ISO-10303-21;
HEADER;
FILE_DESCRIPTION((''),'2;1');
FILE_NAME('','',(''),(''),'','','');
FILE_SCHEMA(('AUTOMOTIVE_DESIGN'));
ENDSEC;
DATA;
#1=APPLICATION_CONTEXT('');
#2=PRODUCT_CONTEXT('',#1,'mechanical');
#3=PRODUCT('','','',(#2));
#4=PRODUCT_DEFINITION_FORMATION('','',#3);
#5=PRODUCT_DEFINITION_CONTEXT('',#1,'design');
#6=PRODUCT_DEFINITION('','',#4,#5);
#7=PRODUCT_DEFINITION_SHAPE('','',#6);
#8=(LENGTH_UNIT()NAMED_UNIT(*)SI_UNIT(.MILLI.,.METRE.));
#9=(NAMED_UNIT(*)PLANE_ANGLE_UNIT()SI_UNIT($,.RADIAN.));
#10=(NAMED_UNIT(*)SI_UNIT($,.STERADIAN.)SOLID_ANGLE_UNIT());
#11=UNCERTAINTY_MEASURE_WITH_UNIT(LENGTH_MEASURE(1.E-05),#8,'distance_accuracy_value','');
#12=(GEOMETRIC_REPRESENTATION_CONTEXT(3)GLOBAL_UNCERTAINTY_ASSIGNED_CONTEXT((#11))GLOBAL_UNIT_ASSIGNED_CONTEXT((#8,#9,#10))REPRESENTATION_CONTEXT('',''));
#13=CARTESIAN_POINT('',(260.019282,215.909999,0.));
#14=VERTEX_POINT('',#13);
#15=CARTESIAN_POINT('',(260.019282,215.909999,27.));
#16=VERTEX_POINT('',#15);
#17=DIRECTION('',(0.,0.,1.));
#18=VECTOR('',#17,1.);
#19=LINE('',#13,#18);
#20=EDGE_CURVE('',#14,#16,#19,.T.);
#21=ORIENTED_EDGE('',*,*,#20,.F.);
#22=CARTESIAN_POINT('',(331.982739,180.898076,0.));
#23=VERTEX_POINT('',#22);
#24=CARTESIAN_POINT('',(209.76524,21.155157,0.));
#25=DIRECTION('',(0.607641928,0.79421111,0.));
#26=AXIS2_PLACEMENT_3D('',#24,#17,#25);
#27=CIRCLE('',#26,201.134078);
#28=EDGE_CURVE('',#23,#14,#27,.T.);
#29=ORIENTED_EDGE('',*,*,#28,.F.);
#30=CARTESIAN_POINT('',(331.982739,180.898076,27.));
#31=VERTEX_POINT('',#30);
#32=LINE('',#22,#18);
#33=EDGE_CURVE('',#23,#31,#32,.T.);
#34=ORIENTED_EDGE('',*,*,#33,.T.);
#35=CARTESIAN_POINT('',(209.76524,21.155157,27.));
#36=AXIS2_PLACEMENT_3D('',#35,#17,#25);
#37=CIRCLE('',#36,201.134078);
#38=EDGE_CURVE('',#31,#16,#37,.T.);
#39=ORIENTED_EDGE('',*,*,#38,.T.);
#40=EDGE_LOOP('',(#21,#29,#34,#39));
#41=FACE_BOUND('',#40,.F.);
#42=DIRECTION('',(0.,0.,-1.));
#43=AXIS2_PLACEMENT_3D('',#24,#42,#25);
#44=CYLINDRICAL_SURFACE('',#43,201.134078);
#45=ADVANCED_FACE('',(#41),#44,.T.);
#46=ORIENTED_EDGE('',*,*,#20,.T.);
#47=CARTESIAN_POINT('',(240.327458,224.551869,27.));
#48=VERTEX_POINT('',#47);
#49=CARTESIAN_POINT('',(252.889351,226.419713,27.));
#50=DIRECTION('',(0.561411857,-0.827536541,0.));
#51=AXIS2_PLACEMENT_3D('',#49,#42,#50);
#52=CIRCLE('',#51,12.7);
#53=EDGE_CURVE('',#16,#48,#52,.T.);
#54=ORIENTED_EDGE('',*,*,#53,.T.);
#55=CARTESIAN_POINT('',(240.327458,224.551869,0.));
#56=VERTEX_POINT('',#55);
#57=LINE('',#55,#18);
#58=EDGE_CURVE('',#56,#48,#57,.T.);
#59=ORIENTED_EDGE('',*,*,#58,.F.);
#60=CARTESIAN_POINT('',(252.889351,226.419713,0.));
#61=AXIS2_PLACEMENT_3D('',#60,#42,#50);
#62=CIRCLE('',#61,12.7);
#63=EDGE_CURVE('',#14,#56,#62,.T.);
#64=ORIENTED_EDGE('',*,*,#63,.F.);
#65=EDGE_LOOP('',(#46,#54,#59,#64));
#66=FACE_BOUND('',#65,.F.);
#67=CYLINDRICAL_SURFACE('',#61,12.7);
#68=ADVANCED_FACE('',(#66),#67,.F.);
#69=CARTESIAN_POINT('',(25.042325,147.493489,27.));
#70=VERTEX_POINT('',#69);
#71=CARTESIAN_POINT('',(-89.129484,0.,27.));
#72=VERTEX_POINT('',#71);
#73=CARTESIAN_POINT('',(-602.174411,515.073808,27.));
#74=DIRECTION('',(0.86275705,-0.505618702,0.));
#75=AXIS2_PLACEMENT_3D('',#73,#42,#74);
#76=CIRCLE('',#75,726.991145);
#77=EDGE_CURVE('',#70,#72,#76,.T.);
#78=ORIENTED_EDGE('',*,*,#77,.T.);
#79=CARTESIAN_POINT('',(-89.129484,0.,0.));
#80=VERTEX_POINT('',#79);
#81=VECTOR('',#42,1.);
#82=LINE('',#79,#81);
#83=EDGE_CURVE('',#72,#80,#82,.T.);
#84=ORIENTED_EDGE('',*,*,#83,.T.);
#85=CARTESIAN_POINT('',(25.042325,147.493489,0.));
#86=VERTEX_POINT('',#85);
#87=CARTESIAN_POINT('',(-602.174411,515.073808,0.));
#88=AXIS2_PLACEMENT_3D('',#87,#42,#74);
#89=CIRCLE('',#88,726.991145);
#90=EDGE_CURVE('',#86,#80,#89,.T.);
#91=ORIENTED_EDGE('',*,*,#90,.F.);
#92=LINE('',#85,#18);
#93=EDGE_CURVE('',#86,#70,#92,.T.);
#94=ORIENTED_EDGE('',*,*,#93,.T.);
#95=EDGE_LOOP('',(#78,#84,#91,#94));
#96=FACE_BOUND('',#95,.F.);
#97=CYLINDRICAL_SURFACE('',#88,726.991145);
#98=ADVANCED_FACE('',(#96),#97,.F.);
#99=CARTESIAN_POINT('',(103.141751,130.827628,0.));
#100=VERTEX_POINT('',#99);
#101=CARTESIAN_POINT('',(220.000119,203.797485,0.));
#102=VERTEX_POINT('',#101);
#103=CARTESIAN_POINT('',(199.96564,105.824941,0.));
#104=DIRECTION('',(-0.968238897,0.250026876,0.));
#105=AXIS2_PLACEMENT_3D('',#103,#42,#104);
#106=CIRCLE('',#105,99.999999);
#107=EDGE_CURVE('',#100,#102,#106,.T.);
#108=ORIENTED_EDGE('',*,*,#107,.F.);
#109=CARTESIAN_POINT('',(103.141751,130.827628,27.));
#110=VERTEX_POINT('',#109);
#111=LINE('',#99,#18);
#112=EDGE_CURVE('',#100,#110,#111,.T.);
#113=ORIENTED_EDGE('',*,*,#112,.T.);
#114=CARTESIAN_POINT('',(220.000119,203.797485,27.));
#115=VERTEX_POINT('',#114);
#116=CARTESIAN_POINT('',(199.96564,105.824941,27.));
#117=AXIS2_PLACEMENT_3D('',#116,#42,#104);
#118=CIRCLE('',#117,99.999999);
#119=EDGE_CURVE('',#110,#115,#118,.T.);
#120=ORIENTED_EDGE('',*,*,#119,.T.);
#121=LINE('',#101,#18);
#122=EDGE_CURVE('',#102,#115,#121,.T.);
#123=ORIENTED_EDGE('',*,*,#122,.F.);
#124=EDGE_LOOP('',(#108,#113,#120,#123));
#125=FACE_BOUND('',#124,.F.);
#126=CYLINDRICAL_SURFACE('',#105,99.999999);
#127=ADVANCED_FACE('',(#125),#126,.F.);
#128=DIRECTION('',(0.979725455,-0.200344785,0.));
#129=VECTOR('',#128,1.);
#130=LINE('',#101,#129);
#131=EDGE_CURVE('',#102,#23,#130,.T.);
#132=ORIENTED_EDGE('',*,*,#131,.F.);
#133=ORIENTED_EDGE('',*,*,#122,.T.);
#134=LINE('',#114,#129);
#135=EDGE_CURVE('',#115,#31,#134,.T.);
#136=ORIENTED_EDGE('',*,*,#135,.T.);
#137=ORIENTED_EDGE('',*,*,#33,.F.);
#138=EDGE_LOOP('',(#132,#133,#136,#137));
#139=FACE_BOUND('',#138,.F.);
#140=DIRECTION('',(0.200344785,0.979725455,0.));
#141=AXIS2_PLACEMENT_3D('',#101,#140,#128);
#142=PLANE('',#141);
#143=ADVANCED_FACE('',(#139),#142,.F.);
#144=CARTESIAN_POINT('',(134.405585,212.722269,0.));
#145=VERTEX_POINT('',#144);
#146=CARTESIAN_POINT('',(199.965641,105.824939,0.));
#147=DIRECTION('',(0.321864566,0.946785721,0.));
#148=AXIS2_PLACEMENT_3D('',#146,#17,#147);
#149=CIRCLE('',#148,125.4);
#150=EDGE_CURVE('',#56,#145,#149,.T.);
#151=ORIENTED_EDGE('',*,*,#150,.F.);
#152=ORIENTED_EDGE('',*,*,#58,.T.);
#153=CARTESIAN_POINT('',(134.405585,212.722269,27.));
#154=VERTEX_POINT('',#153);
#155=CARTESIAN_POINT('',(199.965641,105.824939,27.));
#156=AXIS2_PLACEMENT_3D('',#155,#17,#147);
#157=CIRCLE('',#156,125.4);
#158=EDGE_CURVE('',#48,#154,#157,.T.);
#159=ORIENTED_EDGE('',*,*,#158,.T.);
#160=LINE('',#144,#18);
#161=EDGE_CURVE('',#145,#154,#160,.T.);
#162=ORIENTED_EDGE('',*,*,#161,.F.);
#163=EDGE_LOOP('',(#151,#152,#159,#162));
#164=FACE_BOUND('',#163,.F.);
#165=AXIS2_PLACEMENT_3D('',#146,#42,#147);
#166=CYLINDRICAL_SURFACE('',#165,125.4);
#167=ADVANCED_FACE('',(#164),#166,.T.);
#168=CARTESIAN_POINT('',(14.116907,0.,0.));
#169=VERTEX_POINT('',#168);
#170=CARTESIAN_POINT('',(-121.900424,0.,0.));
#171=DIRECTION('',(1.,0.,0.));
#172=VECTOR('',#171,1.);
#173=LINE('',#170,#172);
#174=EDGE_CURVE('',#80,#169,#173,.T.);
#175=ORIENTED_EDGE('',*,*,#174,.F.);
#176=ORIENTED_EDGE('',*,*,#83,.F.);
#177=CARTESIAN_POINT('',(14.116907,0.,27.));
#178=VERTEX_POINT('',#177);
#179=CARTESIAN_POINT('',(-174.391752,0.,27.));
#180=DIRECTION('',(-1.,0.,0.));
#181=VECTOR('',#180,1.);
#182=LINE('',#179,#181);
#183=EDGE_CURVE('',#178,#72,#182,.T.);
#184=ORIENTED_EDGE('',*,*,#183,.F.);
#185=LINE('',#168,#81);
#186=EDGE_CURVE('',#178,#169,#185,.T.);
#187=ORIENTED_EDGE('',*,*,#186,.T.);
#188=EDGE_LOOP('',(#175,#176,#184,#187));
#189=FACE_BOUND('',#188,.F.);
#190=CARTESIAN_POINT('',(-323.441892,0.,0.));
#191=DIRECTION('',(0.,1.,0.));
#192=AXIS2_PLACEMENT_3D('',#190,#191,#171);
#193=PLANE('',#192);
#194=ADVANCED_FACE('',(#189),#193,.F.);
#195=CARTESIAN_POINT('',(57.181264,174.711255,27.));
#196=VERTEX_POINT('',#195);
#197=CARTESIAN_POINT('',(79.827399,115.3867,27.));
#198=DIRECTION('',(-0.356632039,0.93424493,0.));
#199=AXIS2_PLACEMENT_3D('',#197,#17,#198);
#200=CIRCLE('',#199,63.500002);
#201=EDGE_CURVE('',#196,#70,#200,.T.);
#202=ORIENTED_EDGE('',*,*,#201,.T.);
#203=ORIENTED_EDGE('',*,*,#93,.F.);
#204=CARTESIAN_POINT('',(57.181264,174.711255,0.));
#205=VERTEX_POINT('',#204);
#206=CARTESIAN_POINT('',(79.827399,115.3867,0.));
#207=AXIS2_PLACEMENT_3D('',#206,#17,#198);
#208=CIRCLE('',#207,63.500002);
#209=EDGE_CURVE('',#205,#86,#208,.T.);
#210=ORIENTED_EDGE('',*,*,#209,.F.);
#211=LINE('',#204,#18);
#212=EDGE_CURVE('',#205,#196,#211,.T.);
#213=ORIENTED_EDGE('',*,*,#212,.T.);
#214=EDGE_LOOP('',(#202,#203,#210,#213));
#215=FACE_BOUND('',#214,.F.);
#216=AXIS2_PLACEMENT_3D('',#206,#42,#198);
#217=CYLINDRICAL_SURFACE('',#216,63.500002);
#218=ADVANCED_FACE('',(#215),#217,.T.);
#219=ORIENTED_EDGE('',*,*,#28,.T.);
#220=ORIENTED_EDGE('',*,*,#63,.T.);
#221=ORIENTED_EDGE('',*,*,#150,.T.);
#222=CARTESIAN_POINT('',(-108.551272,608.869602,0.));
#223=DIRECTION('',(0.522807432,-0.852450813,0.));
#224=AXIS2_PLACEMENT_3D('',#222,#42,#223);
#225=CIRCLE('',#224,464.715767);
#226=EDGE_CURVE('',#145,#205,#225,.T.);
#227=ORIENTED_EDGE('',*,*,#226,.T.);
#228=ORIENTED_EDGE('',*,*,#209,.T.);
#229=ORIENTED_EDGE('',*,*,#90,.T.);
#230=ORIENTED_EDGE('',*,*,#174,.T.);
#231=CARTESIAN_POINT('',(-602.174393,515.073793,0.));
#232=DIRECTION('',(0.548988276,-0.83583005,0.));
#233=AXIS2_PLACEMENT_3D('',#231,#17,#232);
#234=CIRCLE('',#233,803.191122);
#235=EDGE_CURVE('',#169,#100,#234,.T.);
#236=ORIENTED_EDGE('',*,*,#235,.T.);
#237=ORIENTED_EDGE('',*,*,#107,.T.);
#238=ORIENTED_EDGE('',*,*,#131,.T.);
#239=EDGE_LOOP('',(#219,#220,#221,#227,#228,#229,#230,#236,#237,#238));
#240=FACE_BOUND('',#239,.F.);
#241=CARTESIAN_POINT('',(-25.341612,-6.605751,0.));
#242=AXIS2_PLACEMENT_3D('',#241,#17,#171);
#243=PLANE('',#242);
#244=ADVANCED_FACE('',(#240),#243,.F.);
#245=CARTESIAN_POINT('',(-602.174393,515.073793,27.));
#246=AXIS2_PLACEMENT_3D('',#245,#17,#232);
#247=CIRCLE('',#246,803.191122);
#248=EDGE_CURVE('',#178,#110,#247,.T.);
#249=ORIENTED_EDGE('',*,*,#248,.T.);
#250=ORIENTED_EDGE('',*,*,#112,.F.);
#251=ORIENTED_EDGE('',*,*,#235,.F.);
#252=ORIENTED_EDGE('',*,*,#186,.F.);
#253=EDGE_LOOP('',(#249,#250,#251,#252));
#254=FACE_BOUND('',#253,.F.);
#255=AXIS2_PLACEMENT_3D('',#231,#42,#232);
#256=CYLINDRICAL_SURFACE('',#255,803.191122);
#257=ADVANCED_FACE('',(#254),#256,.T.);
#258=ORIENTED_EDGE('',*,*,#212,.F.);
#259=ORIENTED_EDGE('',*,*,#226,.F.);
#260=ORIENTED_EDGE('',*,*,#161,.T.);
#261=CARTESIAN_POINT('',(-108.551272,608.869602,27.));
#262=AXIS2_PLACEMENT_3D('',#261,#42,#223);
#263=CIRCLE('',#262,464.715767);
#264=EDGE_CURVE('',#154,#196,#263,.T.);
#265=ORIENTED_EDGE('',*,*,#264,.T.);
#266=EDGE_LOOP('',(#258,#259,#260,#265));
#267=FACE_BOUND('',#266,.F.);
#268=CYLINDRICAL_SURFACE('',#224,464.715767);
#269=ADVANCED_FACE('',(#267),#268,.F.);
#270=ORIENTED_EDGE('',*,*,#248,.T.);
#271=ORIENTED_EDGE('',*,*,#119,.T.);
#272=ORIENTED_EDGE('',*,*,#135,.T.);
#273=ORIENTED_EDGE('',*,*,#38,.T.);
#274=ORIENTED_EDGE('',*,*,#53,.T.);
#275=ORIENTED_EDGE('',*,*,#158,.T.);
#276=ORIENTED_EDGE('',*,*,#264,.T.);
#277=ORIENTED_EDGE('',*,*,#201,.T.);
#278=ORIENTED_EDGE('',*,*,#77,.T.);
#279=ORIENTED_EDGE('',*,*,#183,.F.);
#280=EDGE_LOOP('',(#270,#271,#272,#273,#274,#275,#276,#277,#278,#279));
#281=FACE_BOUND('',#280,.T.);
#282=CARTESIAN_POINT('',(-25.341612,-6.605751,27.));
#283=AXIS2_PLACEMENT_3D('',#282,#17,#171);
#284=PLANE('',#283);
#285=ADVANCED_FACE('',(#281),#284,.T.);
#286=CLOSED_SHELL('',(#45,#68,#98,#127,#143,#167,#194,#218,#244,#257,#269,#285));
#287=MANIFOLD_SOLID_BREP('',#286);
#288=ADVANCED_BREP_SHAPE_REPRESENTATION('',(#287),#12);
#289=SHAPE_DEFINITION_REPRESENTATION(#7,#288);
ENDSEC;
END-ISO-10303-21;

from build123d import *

# Parameters (mm, degrees)
F1_DEPTH = 27
F2_W     = 403.082937
F2_H     = 389.70685
F3_DEPTH = 50


with BuildPart() as f1:
    # F0 (on Top) → F1 (new body)
    with BuildSketch(Plane.XY):
        with BuildLine():
            ThreePointArc((103.141751, 130.827628), (147.000525, 190.646497), (220.000119, 203.797485))
            Line((220.000119, 203.797485), (331.982739, 180.898076))
            ThreePointArc((331.982739, 180.898076), (297.759937, 202.019334), (260.019282, 215.909999))
            ThreePointArc((260.019282, 215.909999), (247.785722, 214.790312), (240.327458, 224.551869))
            ThreePointArc((240.327458, 224.551869), (186.047212, 230.450127), (134.405585, 212.722269))
            ThreePointArc((134.405585, 212.722269), (96.675345, 191.925026), (57.181264, 174.711255))
            ThreePointArc((57.181264, 174.711255), (38.789615, 163.844419), (25.042325, 147.493489))
            ThreePointArc((25.042325, 147.493489), (-75.160431, 14.302014), (-203.064791, -92.567234))
            ThreePointArc((-203.064791, -92.567234), (-248.600788, -164.483519), (-272.445342, -246.19592))
            Line((-272.445342, -246.19592), (-253.424359, -365.238374))
            ThreePointArc((-253.424359, -365.238374), (-248.03197, -364.036727), (-243.660012, -360.659182))
            ThreePointArc((-243.660012, -360.659182), (-226.474264, -324.191868), (-229.146522, -283.966577))
            ThreePointArc((-229.146522, -283.966577), (-222.505303, -205.585554), (-161.231884, -156.257483))
            ThreePointArc((-161.231884, -156.257483), (-11.343038, -29.016538), (103.141751, 130.827628))
        make_face()
    extrude(amount=F1_DEPTH)

    # F2 (on Top) → F3 (cut)
    with BuildSketch(Plane.XY):
        with Locations((-121.900424, -194.853425)):
            Rectangle(F2_W, F2_H)
    extrude(amount=F3_DEPTH, mode=Mode.SUBTRACT)


solid = f1.part
